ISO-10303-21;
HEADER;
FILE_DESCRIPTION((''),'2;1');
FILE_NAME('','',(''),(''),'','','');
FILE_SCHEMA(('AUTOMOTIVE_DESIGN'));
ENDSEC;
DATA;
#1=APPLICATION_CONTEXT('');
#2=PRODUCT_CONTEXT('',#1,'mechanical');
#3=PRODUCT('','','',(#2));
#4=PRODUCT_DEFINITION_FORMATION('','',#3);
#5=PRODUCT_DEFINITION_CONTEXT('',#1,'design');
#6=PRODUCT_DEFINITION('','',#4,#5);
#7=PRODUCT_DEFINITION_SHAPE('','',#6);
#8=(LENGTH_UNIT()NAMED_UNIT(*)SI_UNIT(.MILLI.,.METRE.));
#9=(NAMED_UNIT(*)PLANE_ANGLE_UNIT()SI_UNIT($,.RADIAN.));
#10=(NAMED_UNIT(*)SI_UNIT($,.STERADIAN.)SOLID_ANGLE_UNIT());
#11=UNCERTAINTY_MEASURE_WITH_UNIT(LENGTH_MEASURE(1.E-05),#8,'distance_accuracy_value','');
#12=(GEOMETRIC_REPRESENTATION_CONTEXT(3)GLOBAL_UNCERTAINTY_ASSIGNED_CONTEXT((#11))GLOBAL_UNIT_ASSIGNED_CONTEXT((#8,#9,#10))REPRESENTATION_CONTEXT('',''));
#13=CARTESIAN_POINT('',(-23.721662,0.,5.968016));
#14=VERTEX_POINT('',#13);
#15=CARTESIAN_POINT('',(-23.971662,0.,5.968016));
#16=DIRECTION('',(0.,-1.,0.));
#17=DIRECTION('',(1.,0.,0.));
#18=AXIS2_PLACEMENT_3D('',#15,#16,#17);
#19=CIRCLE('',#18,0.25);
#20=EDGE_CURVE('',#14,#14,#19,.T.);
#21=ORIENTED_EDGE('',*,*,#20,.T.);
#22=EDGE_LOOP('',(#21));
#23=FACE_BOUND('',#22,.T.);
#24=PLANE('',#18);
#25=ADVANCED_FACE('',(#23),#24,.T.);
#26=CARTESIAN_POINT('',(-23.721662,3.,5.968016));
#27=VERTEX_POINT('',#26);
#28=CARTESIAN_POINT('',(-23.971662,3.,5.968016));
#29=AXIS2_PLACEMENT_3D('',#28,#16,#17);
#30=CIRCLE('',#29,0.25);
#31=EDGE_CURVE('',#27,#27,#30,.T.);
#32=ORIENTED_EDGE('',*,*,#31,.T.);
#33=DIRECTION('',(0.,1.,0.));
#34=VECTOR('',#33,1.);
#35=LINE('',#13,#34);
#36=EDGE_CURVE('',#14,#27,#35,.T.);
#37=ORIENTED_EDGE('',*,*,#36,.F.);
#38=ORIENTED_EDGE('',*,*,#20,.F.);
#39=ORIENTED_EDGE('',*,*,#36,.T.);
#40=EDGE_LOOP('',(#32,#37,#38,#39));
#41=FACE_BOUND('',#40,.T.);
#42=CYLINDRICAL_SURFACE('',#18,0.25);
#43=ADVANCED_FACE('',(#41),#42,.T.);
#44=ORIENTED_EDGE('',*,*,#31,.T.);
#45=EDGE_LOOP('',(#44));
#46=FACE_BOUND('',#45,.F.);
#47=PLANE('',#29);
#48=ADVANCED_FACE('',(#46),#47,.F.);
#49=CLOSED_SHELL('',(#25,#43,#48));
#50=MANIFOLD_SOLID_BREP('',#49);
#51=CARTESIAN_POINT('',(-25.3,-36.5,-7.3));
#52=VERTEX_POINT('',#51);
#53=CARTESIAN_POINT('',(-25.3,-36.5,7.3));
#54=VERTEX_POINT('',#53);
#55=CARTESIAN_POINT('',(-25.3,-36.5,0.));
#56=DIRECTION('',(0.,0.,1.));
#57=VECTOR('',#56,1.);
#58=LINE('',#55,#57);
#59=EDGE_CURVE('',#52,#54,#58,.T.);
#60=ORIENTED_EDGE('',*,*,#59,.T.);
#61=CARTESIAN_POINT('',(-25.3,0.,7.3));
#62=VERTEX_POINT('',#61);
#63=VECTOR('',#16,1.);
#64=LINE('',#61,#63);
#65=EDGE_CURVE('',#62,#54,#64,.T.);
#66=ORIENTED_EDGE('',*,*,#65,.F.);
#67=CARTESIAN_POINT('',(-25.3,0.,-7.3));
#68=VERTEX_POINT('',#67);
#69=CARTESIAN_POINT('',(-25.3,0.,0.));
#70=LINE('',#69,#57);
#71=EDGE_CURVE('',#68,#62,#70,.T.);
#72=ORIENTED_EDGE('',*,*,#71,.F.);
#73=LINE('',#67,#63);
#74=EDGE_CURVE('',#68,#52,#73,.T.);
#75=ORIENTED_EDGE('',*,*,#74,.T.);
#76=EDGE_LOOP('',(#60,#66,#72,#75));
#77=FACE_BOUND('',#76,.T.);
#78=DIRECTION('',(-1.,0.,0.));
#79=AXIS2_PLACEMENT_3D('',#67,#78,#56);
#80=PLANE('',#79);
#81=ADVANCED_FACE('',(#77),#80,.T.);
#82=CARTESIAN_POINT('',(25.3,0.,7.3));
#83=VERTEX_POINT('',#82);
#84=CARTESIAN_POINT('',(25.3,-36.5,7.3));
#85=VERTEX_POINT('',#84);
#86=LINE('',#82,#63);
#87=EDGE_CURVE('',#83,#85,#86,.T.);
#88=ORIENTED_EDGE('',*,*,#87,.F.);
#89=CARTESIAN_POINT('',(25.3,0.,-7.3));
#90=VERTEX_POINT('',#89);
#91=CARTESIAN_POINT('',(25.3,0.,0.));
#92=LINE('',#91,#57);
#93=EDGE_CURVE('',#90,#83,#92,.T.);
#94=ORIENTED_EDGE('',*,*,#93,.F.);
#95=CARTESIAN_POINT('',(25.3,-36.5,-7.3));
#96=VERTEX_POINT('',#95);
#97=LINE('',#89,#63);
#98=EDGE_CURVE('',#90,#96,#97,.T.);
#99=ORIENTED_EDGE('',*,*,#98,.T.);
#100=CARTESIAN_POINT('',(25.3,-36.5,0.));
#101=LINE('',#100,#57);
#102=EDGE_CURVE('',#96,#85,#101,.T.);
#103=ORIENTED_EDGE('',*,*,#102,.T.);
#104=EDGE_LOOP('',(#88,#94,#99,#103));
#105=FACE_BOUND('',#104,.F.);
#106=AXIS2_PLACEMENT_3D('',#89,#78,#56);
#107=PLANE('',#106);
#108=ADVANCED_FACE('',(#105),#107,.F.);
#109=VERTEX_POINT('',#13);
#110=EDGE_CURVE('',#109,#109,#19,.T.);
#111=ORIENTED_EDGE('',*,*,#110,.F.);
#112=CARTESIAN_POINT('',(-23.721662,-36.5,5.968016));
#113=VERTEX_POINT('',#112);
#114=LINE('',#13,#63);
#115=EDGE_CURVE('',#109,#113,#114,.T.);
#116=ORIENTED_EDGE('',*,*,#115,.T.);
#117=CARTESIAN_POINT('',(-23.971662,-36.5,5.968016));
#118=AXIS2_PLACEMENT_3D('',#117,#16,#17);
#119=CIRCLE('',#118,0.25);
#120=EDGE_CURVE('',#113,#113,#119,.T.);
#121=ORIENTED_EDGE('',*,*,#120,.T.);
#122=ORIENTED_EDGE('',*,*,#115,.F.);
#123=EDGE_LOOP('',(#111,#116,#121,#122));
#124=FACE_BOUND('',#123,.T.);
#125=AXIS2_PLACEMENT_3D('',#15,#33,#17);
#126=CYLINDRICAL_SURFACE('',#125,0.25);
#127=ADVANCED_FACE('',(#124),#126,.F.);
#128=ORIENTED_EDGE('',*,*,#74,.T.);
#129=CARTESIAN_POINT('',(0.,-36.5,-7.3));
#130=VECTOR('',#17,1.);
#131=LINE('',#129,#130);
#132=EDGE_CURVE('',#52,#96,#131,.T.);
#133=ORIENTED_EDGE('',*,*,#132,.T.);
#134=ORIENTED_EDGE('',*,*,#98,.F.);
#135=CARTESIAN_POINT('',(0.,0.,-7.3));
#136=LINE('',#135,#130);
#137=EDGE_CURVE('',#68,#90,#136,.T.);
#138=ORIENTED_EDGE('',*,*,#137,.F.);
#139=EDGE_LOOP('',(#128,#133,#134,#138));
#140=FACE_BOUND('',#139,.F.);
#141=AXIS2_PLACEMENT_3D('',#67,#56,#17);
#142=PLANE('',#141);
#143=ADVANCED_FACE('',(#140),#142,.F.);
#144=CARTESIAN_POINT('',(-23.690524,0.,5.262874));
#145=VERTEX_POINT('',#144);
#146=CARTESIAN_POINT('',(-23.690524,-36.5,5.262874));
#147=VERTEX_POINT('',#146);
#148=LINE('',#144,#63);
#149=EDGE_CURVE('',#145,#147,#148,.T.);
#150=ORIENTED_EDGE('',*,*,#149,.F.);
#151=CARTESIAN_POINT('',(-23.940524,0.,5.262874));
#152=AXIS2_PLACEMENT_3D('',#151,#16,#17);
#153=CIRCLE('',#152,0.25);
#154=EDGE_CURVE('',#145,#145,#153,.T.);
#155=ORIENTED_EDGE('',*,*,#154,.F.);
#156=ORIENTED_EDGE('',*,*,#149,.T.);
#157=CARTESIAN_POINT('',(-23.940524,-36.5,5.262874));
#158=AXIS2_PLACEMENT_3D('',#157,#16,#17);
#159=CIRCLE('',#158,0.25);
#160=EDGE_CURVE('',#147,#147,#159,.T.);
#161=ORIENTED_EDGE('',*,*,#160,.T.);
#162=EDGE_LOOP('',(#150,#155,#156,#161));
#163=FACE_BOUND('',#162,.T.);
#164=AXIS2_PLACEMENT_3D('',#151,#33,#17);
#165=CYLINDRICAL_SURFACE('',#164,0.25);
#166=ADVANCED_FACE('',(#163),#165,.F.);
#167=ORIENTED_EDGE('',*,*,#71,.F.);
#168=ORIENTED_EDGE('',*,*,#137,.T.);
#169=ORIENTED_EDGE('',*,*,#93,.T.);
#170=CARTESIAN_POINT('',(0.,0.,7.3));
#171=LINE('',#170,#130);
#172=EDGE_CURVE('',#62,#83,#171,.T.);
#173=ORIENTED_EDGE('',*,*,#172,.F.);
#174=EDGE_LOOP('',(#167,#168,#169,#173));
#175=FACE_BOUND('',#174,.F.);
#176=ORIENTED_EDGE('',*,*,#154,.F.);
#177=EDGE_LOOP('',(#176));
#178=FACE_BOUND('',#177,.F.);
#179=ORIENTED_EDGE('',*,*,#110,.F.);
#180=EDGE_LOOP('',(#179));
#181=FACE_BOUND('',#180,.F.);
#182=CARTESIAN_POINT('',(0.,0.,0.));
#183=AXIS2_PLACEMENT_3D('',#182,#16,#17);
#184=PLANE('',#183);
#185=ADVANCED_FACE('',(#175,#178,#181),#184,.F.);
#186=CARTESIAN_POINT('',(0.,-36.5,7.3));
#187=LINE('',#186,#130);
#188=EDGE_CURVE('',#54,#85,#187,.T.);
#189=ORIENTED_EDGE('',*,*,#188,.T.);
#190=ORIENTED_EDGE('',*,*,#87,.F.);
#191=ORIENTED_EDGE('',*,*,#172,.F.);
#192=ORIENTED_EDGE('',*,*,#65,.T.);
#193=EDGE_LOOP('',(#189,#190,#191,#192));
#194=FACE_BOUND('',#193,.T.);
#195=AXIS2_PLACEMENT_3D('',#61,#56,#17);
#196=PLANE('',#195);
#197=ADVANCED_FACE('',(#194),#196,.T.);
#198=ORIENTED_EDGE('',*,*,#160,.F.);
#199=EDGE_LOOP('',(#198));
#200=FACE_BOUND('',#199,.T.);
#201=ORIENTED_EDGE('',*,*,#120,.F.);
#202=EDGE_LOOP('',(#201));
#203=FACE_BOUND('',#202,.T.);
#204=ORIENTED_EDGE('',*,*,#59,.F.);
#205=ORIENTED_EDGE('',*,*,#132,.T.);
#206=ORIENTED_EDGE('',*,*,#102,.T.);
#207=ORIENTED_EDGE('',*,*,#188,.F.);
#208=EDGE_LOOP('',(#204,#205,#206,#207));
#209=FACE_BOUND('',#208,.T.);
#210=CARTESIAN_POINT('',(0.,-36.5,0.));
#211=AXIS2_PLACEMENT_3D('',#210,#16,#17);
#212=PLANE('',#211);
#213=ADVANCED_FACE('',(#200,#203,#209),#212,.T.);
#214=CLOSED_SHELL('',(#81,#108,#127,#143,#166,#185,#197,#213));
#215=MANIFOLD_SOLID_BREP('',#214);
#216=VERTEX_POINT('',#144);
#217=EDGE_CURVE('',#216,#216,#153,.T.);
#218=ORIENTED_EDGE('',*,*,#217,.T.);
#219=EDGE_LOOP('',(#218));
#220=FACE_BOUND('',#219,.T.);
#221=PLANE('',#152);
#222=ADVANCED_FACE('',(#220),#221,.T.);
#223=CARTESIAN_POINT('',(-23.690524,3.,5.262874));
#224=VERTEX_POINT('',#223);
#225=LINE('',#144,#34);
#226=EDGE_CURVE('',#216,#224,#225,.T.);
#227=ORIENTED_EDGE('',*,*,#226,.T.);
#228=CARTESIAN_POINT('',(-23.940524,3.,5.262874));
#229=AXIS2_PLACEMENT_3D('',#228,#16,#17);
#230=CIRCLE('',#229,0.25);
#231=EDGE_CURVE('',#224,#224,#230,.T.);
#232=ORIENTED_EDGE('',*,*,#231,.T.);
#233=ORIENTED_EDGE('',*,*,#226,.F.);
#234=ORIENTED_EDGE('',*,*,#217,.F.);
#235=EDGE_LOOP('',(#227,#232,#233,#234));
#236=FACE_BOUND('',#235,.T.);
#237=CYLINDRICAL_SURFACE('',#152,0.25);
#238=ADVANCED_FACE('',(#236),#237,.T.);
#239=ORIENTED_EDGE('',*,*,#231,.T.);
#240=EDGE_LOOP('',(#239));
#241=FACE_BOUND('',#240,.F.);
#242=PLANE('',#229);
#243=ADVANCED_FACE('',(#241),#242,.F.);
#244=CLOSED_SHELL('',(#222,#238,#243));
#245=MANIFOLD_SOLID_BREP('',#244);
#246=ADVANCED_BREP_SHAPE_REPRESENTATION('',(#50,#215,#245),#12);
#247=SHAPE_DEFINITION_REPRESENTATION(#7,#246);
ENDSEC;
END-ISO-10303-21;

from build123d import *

# Parameters (mm, degrees)
F0_W     = 50.6
F0_H     = 14.6
F0_R     = 0.25
F1_DEPTH = 36.5
F2_DEPTH = 3


with BuildPart() as f1:
    # F0 (on Front) → F1 (new body)
    with BuildSketch(Plane.XZ):
        Rectangle(F0_W, F0_H)
        with Locations((-23.940524, 5.262874)):
            Circle(F0_R, mode=Mode.SUBTRACT)
        with Locations((-23.971662, 5.968016)):
            Circle(F0_R, mode=Mode.SUBTRACT)
    extrude(amount=F1_DEPTH)


with BuildPart() as f2:
    # F0 (on Front) → F2 (new body)
    with BuildSketch(Plane.XZ):
        with Locations((-23.971662, 5.968016)):
            Circle(F0_R)
        with Locations((-23.940524, 5.262874)):
            Circle(F0_R)
    extrude(amount=-F2_DEPTH)


solid = Compound([f1.part, f2.part])
